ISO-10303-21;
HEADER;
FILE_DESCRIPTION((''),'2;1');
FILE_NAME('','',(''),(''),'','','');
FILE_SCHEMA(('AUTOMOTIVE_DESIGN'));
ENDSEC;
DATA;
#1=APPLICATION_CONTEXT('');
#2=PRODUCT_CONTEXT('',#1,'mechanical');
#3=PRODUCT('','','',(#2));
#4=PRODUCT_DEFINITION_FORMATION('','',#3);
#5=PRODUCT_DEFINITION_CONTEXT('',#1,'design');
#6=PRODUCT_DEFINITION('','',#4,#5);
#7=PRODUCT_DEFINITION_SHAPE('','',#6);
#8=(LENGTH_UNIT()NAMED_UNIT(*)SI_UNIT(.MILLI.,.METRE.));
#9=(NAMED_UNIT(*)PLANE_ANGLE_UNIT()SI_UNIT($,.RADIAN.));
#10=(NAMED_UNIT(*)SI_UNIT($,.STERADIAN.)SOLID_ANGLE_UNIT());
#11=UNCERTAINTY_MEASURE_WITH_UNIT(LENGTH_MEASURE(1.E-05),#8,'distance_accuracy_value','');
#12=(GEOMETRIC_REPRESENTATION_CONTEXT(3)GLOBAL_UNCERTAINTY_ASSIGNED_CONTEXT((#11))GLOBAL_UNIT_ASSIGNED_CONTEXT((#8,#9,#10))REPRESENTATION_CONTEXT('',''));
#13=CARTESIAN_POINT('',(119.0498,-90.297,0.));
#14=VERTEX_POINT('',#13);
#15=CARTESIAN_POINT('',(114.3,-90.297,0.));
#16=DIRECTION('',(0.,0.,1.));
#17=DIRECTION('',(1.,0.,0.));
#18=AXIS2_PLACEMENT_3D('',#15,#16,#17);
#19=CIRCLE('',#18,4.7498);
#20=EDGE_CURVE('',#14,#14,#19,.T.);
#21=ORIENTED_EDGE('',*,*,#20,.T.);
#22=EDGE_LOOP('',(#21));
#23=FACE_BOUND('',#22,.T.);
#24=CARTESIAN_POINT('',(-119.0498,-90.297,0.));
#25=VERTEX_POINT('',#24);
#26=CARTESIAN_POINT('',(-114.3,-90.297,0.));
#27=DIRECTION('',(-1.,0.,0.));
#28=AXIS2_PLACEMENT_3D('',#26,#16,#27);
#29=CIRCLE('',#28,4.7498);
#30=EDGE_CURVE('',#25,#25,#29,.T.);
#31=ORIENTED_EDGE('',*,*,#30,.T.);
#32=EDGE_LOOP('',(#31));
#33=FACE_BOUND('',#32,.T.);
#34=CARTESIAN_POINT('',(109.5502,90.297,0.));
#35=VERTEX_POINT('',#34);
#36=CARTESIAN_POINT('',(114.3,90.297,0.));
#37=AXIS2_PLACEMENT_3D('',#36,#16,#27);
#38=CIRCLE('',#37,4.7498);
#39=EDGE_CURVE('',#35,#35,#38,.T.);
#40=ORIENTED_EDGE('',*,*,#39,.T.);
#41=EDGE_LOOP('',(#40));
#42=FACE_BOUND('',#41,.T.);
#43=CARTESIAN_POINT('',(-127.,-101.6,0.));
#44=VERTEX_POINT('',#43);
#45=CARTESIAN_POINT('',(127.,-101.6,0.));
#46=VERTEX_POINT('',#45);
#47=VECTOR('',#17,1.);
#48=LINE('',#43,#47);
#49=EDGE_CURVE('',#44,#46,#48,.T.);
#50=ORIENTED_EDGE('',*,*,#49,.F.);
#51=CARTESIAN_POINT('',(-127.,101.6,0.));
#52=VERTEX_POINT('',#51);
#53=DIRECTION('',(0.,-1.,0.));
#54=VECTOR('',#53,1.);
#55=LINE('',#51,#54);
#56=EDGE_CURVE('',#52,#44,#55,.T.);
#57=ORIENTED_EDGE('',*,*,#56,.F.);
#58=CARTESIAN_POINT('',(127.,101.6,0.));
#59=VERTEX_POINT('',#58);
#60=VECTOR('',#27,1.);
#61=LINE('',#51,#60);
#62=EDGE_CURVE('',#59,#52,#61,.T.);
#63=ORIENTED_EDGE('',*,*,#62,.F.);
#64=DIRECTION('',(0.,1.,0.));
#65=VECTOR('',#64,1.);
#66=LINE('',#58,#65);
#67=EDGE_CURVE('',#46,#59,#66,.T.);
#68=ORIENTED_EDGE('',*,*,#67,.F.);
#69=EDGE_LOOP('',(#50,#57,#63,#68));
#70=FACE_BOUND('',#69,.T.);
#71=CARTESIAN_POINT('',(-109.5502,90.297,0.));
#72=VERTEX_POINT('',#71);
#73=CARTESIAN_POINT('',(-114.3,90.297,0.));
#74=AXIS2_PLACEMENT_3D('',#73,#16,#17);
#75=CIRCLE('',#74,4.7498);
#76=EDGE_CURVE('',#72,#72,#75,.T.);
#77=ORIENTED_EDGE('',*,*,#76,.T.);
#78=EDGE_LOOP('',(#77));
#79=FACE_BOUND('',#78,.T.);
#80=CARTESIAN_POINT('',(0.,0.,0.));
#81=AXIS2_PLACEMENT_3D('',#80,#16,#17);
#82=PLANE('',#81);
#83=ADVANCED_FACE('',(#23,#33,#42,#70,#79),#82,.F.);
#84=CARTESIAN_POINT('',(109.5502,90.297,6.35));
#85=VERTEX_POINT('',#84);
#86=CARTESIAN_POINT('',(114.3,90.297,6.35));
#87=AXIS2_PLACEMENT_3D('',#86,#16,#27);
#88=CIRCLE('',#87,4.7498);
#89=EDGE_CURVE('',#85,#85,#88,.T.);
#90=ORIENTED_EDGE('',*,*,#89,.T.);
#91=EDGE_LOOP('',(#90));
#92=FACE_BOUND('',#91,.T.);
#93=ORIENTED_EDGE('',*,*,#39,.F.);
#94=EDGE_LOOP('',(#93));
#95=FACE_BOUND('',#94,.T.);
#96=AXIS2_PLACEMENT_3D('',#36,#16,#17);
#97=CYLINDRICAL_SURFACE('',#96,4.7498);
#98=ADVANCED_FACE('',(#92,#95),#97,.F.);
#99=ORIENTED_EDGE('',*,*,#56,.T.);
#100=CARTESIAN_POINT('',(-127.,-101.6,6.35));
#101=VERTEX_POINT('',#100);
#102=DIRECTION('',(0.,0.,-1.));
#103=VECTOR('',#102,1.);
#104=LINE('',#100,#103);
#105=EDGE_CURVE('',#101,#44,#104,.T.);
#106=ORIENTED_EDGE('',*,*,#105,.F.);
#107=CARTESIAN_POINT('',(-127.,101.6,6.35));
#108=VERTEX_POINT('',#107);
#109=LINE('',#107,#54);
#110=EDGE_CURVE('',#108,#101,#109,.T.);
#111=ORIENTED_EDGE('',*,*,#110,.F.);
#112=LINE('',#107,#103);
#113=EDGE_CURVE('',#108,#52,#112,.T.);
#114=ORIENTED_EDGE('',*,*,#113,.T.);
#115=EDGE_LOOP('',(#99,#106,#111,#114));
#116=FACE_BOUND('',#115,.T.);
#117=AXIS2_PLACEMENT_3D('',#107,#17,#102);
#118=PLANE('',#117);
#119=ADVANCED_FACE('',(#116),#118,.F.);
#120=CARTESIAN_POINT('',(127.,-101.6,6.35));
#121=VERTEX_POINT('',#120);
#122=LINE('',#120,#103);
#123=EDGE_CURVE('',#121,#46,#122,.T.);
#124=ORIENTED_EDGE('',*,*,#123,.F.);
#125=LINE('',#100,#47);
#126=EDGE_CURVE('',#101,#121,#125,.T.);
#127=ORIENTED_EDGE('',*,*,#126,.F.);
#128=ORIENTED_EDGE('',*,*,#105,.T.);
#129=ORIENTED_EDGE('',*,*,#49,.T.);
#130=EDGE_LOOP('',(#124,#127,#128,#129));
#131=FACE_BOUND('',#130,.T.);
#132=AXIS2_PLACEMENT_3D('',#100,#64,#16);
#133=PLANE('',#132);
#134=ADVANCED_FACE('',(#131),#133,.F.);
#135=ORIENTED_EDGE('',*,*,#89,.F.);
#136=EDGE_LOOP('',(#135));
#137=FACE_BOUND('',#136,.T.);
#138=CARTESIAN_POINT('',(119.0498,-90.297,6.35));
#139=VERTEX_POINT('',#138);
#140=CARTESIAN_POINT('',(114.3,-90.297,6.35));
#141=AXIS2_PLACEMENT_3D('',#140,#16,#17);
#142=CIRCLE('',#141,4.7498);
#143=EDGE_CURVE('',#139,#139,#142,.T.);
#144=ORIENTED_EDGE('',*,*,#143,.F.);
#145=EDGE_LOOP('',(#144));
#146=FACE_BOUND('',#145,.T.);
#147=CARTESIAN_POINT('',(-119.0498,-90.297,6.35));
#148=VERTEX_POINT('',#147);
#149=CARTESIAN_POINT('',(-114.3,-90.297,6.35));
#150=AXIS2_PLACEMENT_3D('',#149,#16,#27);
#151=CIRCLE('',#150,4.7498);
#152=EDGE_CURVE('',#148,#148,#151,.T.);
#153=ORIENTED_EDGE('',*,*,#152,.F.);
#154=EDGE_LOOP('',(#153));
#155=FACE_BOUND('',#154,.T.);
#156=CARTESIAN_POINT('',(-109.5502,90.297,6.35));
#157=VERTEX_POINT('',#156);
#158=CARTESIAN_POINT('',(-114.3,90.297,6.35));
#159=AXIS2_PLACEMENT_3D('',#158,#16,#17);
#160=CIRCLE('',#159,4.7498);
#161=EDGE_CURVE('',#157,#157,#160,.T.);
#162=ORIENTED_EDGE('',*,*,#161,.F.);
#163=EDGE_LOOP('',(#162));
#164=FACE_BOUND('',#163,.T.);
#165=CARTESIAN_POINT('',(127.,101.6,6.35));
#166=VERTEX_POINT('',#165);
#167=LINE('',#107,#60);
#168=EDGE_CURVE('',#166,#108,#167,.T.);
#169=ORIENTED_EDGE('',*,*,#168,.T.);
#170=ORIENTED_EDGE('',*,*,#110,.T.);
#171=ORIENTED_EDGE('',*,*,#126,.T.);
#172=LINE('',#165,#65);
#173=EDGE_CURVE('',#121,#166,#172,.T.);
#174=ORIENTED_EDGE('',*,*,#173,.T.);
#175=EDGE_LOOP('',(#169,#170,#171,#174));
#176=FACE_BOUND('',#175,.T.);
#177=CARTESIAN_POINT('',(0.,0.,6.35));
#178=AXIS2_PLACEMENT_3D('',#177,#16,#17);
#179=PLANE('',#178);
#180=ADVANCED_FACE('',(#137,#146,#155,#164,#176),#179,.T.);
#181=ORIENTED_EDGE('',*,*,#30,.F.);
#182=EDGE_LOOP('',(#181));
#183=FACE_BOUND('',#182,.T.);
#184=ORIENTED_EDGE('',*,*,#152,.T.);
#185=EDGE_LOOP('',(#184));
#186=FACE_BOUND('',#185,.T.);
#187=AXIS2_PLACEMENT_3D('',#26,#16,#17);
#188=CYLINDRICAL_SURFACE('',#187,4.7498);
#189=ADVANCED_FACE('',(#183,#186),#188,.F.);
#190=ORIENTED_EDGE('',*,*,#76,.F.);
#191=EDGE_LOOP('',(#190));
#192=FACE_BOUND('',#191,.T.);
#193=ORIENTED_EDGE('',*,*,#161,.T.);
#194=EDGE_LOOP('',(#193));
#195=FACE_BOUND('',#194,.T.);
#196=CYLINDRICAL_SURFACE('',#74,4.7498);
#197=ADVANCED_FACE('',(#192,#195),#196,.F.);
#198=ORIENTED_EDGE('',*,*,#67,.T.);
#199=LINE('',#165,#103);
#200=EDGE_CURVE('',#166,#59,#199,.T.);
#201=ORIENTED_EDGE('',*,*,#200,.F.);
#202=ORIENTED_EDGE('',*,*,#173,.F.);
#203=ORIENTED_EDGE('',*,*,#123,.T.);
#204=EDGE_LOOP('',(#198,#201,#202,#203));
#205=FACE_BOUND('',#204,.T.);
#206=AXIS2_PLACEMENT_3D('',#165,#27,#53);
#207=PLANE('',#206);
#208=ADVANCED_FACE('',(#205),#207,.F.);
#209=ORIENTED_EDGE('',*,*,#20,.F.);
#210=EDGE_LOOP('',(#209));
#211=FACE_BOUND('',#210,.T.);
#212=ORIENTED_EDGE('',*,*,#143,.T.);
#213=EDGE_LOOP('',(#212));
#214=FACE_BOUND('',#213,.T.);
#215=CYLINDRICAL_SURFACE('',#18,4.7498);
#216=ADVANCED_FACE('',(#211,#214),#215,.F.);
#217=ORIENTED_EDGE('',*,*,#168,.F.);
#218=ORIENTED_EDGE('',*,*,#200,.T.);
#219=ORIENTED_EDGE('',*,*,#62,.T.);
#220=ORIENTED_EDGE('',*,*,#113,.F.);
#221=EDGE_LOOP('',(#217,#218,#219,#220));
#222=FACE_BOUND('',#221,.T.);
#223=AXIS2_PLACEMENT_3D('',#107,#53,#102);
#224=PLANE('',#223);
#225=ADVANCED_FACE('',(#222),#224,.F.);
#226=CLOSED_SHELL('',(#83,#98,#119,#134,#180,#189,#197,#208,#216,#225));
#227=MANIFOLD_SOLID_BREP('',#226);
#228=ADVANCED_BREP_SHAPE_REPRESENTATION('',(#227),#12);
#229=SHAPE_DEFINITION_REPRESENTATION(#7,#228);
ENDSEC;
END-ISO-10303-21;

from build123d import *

# Parameters (mm, degrees)
SKETCH1_W           = 254
SKETCH1_H           = 203.2
BOSS_EXTRUDE1_DEPTH = 6.35
SKETCH2_R           = 4.7498
CUT_EXTRUDE2_DEPTH  = 6.35


with BuildPart() as part:
    # Sketch1 → Boss-Extrude1 (new body)
    with BuildSketch(Plane.XY):
        Rectangle(SKETCH1_W, SKETCH1_H)
    extrude(amount=BOSS_EXTRUDE1_DEPTH)

    # Sketch2 → Cut-Extrude2 (cut)
    with BuildSketch(Plane.XY.offset(6.35)):
        with Locations((114.3, -90.297)):
            Circle(SKETCH2_R)
        with Locations(Location((-114.3, -90.297, 0), (0, 0, 180))):
            Circle(SKETCH2_R)
        with Locations(Location((114.3, 90.297, 0), (0, 0, 180))):
            Circle(SKETCH2_R)
        with Locations((-114.3, 90.297)):
            Circle(SKETCH2_R)
    extrude(amount=-CUT_EXTRUDE2_DEPTH, mode=Mode.SUBTRACT)


solid = part.part
